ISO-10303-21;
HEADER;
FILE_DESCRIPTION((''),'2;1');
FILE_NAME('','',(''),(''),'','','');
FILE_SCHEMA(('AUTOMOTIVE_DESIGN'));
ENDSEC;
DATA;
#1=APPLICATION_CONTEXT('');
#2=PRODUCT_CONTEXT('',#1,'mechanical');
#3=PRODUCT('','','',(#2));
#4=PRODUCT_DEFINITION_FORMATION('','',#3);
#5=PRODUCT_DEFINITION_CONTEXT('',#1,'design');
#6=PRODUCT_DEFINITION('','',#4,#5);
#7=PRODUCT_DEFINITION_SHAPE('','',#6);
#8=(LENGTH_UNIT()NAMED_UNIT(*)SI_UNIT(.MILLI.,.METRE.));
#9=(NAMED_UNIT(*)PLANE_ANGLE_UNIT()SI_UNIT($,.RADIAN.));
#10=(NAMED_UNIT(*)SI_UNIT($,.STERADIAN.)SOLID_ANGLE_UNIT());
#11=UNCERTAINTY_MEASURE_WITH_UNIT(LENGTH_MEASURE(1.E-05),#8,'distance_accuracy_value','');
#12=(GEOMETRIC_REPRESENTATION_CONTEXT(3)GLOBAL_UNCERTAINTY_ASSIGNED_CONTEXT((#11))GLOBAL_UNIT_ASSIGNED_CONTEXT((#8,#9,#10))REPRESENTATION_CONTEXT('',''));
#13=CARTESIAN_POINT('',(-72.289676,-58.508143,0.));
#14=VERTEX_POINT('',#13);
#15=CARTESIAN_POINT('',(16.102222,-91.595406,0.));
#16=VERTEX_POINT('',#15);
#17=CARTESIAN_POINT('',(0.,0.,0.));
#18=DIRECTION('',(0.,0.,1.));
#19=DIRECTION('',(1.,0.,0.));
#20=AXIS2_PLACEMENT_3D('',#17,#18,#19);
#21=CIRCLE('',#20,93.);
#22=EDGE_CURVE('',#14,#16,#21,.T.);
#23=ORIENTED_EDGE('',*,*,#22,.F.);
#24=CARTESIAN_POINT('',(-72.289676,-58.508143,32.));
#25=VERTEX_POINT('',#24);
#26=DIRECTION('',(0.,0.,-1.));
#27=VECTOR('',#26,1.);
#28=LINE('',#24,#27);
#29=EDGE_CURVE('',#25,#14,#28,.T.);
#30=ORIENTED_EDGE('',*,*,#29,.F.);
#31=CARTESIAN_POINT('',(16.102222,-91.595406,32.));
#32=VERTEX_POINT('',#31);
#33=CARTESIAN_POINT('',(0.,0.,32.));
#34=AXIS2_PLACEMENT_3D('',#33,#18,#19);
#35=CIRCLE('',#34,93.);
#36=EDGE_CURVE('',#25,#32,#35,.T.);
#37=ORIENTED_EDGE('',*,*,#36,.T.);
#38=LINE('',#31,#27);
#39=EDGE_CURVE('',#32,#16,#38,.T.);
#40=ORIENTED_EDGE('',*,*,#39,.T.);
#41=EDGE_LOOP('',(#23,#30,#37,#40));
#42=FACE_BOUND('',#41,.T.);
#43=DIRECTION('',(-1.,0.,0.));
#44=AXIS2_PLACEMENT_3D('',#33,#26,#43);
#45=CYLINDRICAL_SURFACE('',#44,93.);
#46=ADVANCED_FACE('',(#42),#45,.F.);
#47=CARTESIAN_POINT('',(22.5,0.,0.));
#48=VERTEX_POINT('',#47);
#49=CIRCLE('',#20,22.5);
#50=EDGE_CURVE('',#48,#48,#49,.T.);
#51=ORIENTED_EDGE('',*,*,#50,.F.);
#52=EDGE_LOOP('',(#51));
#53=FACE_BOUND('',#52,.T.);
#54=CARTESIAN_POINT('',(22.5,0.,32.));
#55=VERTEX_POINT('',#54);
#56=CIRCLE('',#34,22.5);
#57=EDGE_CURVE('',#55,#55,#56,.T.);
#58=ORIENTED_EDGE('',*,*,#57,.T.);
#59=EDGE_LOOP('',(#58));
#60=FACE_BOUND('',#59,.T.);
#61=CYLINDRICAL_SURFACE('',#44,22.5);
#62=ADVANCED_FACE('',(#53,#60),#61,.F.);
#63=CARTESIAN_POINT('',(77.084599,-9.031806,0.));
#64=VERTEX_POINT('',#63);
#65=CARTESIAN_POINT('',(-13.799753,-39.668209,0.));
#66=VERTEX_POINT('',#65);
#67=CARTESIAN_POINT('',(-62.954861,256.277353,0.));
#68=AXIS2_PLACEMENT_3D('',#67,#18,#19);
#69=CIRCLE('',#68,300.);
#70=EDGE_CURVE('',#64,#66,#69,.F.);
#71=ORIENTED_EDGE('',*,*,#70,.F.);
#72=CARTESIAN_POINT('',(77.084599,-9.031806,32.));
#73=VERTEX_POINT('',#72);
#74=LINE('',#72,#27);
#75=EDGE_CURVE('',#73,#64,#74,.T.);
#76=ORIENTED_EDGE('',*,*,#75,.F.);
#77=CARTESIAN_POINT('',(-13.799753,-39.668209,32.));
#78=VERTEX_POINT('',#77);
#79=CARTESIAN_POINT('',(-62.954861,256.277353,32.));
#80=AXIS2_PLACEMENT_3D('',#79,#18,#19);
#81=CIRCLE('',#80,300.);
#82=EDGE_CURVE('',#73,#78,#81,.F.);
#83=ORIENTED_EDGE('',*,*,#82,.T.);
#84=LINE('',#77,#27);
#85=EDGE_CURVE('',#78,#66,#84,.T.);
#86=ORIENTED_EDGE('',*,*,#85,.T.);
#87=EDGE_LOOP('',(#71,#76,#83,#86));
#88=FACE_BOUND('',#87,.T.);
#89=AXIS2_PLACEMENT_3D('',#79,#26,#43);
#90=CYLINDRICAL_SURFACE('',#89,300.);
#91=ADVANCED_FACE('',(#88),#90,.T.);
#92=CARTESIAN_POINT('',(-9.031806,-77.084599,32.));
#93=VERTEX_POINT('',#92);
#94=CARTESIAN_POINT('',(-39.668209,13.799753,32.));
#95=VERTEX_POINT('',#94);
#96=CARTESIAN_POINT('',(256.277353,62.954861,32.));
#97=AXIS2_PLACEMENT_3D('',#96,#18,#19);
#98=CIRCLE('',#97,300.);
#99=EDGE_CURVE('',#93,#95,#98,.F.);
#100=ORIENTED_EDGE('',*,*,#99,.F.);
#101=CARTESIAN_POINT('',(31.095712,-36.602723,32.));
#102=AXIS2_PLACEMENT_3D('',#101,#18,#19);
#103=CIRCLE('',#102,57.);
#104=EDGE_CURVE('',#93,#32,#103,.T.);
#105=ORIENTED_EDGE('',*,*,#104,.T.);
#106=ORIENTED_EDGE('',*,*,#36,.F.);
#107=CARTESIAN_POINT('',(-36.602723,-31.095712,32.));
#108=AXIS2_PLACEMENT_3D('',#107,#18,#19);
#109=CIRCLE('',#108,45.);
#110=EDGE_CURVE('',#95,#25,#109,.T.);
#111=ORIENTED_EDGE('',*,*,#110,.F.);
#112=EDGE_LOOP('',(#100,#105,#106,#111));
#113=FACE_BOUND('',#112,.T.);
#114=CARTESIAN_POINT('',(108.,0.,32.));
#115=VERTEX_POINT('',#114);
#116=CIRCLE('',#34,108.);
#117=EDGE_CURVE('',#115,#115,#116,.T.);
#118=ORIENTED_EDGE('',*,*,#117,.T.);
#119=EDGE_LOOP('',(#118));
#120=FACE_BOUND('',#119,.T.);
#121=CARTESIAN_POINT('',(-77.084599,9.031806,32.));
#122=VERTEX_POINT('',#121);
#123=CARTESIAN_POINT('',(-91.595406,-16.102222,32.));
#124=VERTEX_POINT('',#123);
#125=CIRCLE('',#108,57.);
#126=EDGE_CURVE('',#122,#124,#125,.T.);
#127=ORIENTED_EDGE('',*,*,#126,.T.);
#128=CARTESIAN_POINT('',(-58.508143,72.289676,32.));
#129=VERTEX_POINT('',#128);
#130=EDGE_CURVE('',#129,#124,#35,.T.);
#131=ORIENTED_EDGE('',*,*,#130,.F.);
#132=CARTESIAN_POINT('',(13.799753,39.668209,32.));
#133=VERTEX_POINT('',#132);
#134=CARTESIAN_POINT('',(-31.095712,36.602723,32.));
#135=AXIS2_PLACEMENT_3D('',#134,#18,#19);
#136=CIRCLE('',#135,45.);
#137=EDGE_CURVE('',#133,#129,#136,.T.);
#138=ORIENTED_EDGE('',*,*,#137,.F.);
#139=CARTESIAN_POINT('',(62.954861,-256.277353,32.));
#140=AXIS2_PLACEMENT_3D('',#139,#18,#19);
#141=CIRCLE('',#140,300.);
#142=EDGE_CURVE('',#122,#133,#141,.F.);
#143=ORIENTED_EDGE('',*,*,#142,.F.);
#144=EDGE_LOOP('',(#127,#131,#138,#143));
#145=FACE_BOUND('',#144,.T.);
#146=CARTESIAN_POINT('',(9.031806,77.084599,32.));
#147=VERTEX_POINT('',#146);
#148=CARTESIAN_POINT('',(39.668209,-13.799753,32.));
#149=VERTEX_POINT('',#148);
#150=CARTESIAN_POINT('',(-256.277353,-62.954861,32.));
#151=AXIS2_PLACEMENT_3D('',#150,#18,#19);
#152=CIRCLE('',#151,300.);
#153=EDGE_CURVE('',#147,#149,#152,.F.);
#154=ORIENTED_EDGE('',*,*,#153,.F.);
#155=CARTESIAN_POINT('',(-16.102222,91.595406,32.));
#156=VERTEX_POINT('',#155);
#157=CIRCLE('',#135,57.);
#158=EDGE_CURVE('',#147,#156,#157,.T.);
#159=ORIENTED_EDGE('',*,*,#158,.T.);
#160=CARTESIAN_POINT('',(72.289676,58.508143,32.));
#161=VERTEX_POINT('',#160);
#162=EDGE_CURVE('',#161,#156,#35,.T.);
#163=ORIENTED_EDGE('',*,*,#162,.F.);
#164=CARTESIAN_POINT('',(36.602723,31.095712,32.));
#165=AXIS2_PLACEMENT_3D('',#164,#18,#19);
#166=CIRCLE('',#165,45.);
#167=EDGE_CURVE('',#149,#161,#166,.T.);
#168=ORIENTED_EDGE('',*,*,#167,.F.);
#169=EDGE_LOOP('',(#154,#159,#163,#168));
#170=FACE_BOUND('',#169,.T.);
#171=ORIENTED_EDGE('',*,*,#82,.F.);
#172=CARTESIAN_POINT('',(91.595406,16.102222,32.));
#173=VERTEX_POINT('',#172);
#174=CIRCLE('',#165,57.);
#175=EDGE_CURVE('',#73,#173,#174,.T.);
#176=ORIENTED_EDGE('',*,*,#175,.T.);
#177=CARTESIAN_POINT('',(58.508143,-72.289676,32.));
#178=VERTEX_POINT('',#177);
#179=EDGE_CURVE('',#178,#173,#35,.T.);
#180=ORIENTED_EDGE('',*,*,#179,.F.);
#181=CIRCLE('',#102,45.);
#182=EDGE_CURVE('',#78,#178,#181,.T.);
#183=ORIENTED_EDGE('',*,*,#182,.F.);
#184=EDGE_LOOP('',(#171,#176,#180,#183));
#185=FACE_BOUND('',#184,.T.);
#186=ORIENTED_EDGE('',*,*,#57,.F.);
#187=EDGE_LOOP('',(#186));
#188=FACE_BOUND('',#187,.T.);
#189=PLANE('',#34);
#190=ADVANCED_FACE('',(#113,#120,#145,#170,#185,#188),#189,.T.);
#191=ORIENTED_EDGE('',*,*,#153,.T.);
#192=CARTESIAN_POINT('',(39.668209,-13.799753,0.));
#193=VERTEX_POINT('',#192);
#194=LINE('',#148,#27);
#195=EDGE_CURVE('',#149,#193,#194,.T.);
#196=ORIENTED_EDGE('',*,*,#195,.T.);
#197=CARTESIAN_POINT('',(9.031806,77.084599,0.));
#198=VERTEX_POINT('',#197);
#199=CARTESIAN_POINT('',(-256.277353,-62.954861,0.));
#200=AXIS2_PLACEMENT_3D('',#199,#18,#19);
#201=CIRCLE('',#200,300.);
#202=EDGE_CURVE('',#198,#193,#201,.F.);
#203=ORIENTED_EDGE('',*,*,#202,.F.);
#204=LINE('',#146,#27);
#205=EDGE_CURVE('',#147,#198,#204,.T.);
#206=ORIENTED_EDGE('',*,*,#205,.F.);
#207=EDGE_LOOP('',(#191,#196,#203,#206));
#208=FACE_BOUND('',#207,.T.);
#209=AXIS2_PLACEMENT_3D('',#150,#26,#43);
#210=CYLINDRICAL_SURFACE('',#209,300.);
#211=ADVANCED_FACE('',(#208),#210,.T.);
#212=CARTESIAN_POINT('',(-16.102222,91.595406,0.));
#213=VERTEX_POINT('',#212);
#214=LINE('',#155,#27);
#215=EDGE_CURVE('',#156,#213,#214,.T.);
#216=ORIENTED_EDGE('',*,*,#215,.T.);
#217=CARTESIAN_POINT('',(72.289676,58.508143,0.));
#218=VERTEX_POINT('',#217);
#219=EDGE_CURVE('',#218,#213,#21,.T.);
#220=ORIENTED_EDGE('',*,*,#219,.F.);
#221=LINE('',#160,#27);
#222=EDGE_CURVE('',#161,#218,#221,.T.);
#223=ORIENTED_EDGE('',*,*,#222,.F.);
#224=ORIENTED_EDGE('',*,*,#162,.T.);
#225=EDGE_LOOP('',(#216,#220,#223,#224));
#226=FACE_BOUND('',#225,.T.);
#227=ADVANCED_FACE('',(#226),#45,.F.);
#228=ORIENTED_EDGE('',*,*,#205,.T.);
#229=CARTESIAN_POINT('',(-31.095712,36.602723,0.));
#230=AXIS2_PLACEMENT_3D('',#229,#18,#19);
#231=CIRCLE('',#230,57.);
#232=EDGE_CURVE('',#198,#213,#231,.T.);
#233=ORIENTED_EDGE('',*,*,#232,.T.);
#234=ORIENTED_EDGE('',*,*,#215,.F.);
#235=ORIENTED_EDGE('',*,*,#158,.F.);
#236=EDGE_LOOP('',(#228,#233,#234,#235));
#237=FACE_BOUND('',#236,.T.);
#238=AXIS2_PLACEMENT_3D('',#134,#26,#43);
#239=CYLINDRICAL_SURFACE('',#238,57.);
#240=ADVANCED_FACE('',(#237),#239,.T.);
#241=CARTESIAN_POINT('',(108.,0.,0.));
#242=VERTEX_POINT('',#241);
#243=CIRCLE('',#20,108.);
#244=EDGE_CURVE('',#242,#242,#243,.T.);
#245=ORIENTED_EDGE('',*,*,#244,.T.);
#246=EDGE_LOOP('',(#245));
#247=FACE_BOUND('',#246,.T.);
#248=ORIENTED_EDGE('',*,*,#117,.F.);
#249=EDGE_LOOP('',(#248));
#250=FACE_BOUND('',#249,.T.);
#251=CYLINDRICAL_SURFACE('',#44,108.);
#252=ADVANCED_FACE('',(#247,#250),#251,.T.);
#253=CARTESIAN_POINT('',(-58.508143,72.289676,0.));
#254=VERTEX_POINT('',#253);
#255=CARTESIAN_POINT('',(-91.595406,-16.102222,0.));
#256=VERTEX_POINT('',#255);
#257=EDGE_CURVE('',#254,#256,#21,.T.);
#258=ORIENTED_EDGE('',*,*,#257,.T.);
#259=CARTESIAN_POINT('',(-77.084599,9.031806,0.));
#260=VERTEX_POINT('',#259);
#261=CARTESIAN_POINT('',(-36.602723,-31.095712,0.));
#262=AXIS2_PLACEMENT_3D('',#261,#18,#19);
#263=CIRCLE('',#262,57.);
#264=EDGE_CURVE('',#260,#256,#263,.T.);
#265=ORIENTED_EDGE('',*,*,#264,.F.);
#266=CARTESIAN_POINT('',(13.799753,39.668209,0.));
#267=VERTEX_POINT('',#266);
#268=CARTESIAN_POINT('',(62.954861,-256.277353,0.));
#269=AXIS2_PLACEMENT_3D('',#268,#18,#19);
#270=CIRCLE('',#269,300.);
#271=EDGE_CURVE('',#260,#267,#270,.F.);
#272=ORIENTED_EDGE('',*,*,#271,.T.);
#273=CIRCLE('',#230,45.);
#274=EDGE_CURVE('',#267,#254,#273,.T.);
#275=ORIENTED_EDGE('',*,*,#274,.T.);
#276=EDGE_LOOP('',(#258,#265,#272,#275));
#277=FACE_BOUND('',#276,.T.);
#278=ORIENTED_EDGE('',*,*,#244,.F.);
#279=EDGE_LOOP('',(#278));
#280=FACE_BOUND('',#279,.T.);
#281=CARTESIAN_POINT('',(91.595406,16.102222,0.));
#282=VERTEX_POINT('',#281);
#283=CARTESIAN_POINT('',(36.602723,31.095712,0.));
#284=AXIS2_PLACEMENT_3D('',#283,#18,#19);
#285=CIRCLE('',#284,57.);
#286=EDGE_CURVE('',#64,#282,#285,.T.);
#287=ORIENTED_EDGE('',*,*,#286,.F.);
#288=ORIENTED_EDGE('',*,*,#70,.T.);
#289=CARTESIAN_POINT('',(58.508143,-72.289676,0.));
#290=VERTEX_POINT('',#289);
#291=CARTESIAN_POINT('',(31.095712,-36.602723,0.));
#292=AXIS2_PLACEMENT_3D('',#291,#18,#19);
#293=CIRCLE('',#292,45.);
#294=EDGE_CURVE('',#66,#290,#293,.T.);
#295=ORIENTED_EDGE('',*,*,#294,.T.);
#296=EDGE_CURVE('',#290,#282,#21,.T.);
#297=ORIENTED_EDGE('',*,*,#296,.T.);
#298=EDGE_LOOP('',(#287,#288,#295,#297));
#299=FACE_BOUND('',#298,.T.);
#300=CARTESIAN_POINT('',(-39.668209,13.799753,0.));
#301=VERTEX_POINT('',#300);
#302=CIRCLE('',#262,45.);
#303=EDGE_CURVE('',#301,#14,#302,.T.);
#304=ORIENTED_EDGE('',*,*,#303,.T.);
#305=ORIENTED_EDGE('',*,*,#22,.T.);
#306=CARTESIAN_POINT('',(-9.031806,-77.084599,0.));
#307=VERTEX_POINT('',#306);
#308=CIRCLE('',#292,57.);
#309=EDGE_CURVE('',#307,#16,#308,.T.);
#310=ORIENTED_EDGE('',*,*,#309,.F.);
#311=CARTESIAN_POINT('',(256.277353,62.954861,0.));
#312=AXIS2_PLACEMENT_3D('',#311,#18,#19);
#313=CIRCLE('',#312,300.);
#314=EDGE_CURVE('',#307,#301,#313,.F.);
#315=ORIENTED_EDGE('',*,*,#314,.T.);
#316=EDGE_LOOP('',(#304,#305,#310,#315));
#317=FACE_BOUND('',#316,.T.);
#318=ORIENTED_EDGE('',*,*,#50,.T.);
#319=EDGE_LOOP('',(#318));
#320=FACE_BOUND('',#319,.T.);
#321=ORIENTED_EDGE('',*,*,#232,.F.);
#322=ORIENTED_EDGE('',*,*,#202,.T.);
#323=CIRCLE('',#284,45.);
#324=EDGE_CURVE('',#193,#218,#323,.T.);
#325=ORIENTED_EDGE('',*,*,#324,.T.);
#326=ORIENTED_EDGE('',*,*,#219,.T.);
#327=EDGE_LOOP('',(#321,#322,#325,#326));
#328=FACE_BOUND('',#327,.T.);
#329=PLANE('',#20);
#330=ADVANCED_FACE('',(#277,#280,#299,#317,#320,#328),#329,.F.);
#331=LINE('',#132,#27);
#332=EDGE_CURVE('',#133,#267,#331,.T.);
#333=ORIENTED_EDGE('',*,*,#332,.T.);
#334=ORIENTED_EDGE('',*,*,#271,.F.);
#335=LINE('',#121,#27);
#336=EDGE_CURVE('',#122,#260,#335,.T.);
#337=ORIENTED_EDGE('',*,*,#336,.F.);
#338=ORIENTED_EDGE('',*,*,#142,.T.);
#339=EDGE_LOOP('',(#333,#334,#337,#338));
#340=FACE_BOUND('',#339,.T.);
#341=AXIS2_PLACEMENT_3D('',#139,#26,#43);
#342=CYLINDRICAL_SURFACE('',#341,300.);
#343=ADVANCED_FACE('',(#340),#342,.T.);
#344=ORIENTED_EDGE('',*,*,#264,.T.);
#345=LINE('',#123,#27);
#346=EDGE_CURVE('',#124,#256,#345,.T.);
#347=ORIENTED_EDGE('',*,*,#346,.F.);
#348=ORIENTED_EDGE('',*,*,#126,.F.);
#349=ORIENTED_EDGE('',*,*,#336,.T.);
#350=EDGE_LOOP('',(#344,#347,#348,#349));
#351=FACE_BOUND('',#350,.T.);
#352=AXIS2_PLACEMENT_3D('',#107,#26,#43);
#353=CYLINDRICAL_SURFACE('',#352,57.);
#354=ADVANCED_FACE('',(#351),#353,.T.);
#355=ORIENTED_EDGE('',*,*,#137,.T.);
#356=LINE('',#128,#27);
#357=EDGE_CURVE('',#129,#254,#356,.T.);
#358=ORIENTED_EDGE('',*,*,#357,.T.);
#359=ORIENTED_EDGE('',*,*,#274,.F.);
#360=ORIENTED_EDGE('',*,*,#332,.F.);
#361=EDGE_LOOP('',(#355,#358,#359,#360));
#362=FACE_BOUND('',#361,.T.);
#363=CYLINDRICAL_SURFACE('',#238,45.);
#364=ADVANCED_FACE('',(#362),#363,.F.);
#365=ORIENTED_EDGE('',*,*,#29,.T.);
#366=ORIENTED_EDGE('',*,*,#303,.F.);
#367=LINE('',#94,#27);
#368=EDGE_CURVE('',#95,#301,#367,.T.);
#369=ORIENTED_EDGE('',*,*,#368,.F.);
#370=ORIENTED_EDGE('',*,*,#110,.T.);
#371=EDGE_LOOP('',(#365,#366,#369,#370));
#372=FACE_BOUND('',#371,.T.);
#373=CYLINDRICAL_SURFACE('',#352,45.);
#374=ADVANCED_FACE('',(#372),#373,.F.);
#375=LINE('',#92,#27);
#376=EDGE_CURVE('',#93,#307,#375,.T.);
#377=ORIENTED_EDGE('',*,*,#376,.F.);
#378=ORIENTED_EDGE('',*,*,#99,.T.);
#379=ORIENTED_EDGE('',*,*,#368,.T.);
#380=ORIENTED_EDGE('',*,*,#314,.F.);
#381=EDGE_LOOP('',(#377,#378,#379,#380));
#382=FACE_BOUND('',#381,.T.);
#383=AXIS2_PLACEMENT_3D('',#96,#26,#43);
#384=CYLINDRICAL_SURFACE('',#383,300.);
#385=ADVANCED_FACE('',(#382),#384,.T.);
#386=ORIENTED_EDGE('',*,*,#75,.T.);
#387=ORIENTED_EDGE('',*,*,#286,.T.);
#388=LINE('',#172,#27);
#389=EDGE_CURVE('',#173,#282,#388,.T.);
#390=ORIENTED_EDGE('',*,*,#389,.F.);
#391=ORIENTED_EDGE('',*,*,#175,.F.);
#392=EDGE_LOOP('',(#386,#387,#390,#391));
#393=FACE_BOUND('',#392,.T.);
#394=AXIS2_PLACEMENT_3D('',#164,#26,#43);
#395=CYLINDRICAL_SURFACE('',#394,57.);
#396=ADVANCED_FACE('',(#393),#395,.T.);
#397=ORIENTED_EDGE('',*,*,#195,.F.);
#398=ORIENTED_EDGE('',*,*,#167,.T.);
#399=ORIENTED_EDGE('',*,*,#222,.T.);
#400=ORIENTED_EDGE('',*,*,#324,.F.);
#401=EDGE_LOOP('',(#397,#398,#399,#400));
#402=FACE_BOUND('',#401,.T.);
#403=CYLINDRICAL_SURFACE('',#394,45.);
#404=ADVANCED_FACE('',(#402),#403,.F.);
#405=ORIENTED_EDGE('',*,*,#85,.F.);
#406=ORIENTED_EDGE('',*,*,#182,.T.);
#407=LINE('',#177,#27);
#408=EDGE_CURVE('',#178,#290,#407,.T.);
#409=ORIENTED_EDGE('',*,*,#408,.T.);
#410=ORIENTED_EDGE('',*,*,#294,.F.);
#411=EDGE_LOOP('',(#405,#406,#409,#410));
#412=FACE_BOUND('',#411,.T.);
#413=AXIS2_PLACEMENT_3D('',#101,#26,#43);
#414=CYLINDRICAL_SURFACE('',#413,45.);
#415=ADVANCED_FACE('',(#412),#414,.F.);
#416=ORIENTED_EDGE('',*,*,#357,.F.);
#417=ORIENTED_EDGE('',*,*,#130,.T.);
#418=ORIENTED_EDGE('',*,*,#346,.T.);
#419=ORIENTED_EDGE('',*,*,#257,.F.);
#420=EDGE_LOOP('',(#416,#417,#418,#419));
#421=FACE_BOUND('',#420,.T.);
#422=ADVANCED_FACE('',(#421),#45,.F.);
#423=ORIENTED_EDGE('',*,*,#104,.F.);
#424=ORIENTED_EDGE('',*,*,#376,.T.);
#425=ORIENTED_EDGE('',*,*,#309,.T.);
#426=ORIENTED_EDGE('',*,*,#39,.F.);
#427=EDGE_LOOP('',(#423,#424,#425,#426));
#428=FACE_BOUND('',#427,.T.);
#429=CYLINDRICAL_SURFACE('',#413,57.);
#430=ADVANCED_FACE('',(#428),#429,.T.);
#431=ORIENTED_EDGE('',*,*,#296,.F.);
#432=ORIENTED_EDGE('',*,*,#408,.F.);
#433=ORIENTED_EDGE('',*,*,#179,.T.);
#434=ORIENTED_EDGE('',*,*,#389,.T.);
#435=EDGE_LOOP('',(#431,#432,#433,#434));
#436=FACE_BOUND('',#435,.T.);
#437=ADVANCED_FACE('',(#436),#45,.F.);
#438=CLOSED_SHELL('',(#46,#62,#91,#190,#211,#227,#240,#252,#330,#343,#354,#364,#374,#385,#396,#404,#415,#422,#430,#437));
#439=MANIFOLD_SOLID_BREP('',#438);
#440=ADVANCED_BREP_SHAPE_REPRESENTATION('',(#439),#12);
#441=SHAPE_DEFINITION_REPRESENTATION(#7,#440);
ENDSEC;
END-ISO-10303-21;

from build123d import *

# Parameters (mm, degrees)
SKETCH1_R           = 108
SKETCH1_R_2         = 22.5
BOSS_EXTRUDE2_DEPTH = 32


with BuildPart() as part:
    # Sketch1 → Boss-Extrude2 (new body)
    with BuildSketch(Plane.XY):
        Circle(SKETCH1_R)
        with BuildLine():
            ThreePointArc((-39.668209022, 13.799753366), (-28.005440993, -32.874640461), (-9.031806484, -77.084598511))
            ThreePointArc((-9.031806484, -77.084598511), (2.596198221, -85.966451462), (16.102221796, -91.595406289))
            ThreePointArc((16.102221796, -91.595406289), (-1.272703942, -92.991291123), (-18.602920008, -91.120422339))
            ThreePointArc((-18.602920008, -91.120422339), (-48.283083898, -79.484236232), (-72.289675848, -58.508142731))
            ThreePointArc((-72.289675848, -58.508142731), (-77.621570163, -12.590195167), (-39.668209022, 13.799753366))
        make_face(mode=Mode.SUBTRACT)
        with BuildLine():
            ThreePointArc((-13.799753366, -39.668209022), (32.874640461, -28.005440993), (77.084598511, -9.031806484))
            ThreePointArc((77.084598511, -9.031806484), (85.966451462, 2.596198221), (91.595406289, 16.102221796))
            ThreePointArc((91.595406289, 16.102221796), (92.991291123, -1.272703942), (91.120422339, -18.602920008))
            ThreePointArc((91.120422339, -18.602920008), (79.484236232, -48.283083898), (58.508142731, -72.289675848))
            ThreePointArc((58.508142731, -72.289675848), (12.590195167, -77.621570163), (-13.799753366, -39.668209022))
        make_face(mode=Mode.SUBTRACT)
        with BuildLine():
            ThreePointArc((13.799753366, 39.668209022), (-32.874640461, 28.005440993), (-77.084598511, 9.031806484))
            ThreePointArc((-77.084598511, 9.031806484), (-85.966451462, -2.596198221), (-91.595406289, -16.102221796))
            ThreePointArc((-91.595406289, -16.102221796), (-92.991291123, 1.272703942), (-91.120422339, 18.602920008))
            ThreePointArc((-91.120422339, 18.602920008), (-79.484236232, 48.283083898), (-58.508142731, 72.289675848))
            ThreePointArc((-58.508142731, 72.289675848), (-12.590195167, 77.621570163), (13.799753366, 39.668209022))
        make_face(mode=Mode.SUBTRACT)
        Circle(SKETCH1_R_2, mode=Mode.SUBTRACT)
        with BuildLine():
            ThreePointArc((39.668209022, -13.799753366), (28.005440993, 32.874640461), (9.031806484, 77.084598511))
            ThreePointArc((9.031806484, 77.084598511), (-2.596198221, 85.966451462), (-16.102221796, 91.595406289))
            ThreePointArc((-16.102221796, 91.595406289), (1.272703942, 92.991291123), (18.602920008, 91.120422339))
            ThreePointArc((18.602920008, 91.120422339), (48.283083898, 79.484236232), (72.289675848, 58.508142731))
            ThreePointArc((72.289675848, 58.508142731), (77.621570163, 12.590195167), (39.668209022, -13.799753366))
        make_face(mode=Mode.SUBTRACT)
    extrude(amount=BOSS_EXTRUDE2_DEPTH)


solid = part.part
